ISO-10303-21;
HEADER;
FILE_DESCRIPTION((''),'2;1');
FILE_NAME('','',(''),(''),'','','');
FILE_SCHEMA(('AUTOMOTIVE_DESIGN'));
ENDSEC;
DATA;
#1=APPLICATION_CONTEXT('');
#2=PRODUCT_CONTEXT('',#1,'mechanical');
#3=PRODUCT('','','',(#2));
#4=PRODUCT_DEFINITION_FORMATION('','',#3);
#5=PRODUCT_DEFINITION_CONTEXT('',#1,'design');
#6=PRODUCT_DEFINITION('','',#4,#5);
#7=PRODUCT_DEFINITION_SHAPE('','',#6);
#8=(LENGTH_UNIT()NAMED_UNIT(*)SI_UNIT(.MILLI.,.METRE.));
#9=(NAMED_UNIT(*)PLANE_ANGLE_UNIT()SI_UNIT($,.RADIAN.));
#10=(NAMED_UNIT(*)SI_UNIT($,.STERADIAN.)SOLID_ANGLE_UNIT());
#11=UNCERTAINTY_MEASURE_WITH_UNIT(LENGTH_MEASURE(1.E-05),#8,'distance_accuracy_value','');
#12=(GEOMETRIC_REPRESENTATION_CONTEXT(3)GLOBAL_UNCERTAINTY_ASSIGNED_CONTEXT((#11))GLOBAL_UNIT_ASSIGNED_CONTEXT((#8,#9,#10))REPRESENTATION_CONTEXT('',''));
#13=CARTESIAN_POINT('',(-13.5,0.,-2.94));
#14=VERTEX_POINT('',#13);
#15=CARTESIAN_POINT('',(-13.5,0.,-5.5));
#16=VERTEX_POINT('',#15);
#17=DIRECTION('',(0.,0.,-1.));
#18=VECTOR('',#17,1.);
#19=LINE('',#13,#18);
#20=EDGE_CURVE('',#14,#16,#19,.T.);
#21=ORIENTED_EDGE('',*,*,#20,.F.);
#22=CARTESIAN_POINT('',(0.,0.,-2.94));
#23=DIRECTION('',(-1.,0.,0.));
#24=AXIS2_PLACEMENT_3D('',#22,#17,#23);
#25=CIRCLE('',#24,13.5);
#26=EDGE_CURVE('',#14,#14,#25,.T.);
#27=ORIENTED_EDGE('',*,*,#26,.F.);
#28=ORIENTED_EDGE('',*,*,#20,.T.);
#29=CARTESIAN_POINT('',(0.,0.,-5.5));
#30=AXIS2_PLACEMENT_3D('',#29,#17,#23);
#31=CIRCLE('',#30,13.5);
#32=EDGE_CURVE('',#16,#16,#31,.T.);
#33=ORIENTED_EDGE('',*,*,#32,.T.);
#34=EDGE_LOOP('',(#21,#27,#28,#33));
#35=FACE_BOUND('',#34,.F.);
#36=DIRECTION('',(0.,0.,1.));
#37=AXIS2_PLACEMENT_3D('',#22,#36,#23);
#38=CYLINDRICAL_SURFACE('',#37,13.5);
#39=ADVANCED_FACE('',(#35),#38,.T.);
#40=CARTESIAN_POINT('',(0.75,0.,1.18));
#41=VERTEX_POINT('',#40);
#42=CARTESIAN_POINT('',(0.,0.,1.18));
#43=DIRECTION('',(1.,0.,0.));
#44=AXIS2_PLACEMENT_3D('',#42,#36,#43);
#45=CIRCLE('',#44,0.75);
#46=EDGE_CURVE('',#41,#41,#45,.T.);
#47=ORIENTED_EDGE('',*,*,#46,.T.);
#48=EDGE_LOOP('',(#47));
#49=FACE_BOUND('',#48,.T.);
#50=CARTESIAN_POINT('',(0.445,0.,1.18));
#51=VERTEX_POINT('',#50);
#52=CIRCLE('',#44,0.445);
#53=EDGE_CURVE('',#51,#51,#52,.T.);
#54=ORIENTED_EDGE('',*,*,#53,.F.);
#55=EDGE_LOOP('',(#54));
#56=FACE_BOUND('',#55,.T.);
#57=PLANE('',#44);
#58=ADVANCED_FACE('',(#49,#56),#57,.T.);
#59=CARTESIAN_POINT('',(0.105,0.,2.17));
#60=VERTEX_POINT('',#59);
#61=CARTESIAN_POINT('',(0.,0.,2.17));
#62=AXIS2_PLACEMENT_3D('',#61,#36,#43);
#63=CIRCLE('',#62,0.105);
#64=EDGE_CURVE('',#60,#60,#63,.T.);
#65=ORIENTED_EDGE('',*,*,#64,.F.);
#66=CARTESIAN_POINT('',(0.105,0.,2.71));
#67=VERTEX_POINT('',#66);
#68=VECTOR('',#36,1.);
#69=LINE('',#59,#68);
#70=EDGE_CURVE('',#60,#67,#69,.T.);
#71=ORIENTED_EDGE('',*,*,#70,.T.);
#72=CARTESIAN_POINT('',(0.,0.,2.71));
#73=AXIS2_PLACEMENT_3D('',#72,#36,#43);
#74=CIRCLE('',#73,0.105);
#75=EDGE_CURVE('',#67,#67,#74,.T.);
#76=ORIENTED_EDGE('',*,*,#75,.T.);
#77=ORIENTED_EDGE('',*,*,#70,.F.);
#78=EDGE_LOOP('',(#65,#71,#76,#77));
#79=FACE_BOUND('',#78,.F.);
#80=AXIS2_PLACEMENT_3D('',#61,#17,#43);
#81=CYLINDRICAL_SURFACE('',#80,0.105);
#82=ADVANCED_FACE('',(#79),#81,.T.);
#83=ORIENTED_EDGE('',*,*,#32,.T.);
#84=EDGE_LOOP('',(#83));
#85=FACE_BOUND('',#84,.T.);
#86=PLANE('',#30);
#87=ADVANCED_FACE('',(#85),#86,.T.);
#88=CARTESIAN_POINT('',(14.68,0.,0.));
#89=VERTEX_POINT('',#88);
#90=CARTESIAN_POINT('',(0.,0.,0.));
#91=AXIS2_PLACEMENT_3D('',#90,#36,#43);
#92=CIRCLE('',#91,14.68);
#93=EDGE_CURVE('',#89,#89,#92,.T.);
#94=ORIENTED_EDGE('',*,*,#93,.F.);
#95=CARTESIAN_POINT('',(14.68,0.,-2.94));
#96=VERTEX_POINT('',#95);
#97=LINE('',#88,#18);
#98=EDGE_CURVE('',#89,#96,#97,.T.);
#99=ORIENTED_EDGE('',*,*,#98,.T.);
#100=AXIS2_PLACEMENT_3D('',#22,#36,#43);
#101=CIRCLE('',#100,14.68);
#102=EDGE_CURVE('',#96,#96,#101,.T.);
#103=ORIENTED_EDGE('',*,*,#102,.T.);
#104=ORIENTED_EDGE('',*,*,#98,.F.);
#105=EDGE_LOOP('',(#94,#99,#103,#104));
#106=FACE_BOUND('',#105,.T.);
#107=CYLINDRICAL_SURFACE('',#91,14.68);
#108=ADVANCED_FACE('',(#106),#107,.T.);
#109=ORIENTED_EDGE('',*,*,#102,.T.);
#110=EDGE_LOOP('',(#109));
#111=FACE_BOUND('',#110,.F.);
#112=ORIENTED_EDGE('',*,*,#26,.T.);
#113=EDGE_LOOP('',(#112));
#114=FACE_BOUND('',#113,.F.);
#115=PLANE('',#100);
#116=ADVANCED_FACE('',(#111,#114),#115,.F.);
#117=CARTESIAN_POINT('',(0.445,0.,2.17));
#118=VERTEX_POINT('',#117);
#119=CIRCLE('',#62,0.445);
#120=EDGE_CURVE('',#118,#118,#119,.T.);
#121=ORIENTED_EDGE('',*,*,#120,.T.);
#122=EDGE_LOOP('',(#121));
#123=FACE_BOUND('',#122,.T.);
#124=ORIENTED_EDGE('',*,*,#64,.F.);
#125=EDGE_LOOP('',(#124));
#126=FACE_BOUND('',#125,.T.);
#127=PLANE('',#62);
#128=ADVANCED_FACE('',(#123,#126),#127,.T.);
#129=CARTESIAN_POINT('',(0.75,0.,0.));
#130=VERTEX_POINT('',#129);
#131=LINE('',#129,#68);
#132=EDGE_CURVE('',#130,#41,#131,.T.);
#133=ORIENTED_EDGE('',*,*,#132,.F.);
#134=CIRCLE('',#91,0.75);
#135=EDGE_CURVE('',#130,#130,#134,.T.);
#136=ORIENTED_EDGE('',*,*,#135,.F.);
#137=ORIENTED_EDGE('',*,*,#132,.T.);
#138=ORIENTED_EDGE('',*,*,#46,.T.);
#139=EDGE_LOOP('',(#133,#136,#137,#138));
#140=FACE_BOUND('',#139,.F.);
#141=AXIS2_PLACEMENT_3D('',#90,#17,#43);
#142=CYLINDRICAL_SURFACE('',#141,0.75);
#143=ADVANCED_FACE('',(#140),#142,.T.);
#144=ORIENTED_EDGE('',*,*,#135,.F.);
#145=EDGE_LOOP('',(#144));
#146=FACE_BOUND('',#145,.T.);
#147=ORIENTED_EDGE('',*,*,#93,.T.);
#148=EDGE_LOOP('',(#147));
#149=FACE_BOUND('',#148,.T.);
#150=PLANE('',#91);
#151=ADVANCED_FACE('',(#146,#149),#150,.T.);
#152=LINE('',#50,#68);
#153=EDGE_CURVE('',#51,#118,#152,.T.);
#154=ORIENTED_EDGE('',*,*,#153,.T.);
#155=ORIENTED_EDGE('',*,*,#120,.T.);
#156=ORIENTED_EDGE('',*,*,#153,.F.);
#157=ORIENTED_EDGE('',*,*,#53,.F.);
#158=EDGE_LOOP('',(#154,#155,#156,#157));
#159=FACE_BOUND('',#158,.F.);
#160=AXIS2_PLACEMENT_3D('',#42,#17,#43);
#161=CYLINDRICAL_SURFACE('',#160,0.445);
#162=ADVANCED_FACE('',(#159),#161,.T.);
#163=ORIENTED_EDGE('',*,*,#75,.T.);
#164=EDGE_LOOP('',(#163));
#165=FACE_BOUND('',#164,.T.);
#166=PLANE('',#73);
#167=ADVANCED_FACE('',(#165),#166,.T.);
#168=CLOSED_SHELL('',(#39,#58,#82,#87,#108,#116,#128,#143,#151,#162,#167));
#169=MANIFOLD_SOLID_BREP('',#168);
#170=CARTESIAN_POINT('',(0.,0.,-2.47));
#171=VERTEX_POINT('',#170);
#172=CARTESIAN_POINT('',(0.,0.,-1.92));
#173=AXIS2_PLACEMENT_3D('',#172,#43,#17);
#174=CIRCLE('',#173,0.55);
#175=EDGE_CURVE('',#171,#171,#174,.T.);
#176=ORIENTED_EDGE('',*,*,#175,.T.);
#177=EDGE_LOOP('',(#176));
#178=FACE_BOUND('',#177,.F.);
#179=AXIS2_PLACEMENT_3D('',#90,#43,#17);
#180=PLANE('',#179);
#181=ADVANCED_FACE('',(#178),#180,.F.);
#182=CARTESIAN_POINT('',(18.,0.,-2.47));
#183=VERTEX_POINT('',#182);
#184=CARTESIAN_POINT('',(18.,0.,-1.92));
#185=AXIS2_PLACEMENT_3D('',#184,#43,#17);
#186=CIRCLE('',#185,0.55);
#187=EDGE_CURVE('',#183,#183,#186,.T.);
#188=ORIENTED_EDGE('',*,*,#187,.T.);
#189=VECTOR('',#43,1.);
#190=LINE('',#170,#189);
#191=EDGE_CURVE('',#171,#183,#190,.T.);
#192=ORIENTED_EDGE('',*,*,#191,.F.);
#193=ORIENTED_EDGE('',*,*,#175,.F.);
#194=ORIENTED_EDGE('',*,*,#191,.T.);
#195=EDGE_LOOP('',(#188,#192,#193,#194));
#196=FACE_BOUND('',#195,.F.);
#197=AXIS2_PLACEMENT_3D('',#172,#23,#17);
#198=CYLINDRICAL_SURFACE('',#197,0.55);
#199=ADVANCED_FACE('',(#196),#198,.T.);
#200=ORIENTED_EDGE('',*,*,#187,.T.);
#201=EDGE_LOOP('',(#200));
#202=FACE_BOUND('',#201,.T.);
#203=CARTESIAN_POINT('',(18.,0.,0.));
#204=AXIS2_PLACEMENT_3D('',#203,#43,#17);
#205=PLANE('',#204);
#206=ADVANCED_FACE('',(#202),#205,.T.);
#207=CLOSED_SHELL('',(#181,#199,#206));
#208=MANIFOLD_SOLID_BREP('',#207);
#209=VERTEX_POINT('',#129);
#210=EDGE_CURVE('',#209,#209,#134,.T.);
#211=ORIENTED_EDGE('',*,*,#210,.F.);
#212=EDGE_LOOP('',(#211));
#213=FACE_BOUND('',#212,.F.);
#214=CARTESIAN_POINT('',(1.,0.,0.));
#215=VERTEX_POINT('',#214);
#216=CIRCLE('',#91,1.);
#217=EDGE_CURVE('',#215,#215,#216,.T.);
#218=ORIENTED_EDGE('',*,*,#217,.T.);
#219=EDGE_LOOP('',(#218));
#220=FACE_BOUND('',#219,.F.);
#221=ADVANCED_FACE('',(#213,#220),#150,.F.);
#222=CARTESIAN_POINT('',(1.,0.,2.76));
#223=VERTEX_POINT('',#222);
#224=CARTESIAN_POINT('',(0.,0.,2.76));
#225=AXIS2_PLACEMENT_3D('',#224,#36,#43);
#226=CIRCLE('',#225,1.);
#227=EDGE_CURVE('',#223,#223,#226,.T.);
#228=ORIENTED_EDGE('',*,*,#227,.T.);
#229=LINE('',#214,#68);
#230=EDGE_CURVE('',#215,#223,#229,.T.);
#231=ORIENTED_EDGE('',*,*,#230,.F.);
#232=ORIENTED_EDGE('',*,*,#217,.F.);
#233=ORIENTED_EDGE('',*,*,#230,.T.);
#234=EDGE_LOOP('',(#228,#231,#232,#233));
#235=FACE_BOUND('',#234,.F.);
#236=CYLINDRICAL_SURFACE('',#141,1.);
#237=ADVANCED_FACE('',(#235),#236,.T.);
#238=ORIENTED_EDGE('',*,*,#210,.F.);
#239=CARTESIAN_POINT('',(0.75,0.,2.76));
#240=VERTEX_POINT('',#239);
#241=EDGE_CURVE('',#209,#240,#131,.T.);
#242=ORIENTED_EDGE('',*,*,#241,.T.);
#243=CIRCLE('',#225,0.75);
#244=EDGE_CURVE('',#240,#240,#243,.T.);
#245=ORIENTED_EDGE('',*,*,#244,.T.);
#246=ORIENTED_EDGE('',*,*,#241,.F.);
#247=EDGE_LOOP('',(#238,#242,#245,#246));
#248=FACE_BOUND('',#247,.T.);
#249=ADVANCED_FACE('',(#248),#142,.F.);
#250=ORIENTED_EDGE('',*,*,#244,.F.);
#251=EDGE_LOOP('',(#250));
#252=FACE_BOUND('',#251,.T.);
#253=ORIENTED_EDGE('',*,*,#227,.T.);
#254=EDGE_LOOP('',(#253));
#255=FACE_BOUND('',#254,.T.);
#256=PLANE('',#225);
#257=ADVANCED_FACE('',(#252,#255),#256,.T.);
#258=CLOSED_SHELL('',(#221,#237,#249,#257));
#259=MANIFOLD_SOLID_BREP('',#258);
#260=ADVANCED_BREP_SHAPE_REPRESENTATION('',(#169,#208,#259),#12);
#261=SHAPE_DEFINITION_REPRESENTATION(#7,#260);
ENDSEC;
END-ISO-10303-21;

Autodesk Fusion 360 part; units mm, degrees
sketch "Sketch1" plane through (0, 0, 0) normal (0, 0, 1) x (1, 0, 0)
  circle A0 centre (0, 0) radius 14.68
  dimension "d1" = 29.36
extrude "Extrude1" add sketch "Sketch1" against normal blind 2.94 makes body 1
sketch "Sketch2" plane through (0, 0, -2.94) normal (0, 0, -1) x (-1, 0, 0)
  circle A0 centre (0, 0) radius 14.68
  circle A1 centre (0, 0) radius 13.5
  dimension "d4" = 27
extrude "Extrude2" add sketch "Sketch2" along normal blind 2.56 contours A1 bodies 1
sketch "Sketch3" plane through (0, 0, 0) normal (0, 0, 1) x (1, 0, 0)
  circle A0 centre (0, 0) radius 14.68
  circle A1 centre (0, 0) radius 0.75
  dimension "d7" = 1.5
extrude "Extrude3" add sketch "Sketch3" along normal blind 1.18 contours A1 bodies 1
sketch "Sketch4" plane through (0, 0, 1.18) normal (0, 0, 1) x (1, 0, 0)
  circle A0 centre (0, 0) radius 0.75
  circle A1 centre (0, 0) radius 0.445
  dimension "d10" = 0.89
extrude "Extrude4" add sketch "Sketch4" along normal blind 0.99 contours A1 bodies 1
sketch "Sketch5" plane through (0, 0, 2.17) normal (0, 0, 1) x (1, 0, 0)
  circle A0 centre (0, 0) radius 0.445
  circle A1 centre (0, 0) radius 0.105
  dimension "d13" = 0.21
extrude "Extrude5" add sketch "Sketch5" along normal blind 0.54 contours A1 bodies 1
sketch "Sketch6" plane through (0, 0, 0) normal (0, 0, 1) x (1, 0, 0)
  circle A0 centre (0, 0) radius 0.75
  circle A1 centre (0, 0) radius 14.68
  circle A2 centre (0, 0) radius 1
  dimension "d16" = 2
extrude "Extrude6" add sketch "Sketch6" along normal blind 2.76 separate body contours A2 makes body 2
sketch "Sketch7" plane through (0, 0, 0) normal (1, 0, 0) x (0, 0, -1)
  line L0 (0, 0) -> (1.92, 0) construction
  circle A0 centre (1.92, 0) radius 0.55
  dimension "d19" = 1.92
  dimension "d20" = 1.1
extrude "Extrude7" add sketch "Sketch7" along normal blind 18 separate body makes body 3
equation "d5 = 5.5 mm - 2.94 mm"
equation "d8 = 0.4 mm + 0.78 mm"
equation "d11 = 0.4 mm + 1.37 mm - 0.78 mm"
equation "d14 = 1.91 mm - 1.37 mm"
equation "d17 = 0.4 mm + 1.91 mm + 0.45 mm"
